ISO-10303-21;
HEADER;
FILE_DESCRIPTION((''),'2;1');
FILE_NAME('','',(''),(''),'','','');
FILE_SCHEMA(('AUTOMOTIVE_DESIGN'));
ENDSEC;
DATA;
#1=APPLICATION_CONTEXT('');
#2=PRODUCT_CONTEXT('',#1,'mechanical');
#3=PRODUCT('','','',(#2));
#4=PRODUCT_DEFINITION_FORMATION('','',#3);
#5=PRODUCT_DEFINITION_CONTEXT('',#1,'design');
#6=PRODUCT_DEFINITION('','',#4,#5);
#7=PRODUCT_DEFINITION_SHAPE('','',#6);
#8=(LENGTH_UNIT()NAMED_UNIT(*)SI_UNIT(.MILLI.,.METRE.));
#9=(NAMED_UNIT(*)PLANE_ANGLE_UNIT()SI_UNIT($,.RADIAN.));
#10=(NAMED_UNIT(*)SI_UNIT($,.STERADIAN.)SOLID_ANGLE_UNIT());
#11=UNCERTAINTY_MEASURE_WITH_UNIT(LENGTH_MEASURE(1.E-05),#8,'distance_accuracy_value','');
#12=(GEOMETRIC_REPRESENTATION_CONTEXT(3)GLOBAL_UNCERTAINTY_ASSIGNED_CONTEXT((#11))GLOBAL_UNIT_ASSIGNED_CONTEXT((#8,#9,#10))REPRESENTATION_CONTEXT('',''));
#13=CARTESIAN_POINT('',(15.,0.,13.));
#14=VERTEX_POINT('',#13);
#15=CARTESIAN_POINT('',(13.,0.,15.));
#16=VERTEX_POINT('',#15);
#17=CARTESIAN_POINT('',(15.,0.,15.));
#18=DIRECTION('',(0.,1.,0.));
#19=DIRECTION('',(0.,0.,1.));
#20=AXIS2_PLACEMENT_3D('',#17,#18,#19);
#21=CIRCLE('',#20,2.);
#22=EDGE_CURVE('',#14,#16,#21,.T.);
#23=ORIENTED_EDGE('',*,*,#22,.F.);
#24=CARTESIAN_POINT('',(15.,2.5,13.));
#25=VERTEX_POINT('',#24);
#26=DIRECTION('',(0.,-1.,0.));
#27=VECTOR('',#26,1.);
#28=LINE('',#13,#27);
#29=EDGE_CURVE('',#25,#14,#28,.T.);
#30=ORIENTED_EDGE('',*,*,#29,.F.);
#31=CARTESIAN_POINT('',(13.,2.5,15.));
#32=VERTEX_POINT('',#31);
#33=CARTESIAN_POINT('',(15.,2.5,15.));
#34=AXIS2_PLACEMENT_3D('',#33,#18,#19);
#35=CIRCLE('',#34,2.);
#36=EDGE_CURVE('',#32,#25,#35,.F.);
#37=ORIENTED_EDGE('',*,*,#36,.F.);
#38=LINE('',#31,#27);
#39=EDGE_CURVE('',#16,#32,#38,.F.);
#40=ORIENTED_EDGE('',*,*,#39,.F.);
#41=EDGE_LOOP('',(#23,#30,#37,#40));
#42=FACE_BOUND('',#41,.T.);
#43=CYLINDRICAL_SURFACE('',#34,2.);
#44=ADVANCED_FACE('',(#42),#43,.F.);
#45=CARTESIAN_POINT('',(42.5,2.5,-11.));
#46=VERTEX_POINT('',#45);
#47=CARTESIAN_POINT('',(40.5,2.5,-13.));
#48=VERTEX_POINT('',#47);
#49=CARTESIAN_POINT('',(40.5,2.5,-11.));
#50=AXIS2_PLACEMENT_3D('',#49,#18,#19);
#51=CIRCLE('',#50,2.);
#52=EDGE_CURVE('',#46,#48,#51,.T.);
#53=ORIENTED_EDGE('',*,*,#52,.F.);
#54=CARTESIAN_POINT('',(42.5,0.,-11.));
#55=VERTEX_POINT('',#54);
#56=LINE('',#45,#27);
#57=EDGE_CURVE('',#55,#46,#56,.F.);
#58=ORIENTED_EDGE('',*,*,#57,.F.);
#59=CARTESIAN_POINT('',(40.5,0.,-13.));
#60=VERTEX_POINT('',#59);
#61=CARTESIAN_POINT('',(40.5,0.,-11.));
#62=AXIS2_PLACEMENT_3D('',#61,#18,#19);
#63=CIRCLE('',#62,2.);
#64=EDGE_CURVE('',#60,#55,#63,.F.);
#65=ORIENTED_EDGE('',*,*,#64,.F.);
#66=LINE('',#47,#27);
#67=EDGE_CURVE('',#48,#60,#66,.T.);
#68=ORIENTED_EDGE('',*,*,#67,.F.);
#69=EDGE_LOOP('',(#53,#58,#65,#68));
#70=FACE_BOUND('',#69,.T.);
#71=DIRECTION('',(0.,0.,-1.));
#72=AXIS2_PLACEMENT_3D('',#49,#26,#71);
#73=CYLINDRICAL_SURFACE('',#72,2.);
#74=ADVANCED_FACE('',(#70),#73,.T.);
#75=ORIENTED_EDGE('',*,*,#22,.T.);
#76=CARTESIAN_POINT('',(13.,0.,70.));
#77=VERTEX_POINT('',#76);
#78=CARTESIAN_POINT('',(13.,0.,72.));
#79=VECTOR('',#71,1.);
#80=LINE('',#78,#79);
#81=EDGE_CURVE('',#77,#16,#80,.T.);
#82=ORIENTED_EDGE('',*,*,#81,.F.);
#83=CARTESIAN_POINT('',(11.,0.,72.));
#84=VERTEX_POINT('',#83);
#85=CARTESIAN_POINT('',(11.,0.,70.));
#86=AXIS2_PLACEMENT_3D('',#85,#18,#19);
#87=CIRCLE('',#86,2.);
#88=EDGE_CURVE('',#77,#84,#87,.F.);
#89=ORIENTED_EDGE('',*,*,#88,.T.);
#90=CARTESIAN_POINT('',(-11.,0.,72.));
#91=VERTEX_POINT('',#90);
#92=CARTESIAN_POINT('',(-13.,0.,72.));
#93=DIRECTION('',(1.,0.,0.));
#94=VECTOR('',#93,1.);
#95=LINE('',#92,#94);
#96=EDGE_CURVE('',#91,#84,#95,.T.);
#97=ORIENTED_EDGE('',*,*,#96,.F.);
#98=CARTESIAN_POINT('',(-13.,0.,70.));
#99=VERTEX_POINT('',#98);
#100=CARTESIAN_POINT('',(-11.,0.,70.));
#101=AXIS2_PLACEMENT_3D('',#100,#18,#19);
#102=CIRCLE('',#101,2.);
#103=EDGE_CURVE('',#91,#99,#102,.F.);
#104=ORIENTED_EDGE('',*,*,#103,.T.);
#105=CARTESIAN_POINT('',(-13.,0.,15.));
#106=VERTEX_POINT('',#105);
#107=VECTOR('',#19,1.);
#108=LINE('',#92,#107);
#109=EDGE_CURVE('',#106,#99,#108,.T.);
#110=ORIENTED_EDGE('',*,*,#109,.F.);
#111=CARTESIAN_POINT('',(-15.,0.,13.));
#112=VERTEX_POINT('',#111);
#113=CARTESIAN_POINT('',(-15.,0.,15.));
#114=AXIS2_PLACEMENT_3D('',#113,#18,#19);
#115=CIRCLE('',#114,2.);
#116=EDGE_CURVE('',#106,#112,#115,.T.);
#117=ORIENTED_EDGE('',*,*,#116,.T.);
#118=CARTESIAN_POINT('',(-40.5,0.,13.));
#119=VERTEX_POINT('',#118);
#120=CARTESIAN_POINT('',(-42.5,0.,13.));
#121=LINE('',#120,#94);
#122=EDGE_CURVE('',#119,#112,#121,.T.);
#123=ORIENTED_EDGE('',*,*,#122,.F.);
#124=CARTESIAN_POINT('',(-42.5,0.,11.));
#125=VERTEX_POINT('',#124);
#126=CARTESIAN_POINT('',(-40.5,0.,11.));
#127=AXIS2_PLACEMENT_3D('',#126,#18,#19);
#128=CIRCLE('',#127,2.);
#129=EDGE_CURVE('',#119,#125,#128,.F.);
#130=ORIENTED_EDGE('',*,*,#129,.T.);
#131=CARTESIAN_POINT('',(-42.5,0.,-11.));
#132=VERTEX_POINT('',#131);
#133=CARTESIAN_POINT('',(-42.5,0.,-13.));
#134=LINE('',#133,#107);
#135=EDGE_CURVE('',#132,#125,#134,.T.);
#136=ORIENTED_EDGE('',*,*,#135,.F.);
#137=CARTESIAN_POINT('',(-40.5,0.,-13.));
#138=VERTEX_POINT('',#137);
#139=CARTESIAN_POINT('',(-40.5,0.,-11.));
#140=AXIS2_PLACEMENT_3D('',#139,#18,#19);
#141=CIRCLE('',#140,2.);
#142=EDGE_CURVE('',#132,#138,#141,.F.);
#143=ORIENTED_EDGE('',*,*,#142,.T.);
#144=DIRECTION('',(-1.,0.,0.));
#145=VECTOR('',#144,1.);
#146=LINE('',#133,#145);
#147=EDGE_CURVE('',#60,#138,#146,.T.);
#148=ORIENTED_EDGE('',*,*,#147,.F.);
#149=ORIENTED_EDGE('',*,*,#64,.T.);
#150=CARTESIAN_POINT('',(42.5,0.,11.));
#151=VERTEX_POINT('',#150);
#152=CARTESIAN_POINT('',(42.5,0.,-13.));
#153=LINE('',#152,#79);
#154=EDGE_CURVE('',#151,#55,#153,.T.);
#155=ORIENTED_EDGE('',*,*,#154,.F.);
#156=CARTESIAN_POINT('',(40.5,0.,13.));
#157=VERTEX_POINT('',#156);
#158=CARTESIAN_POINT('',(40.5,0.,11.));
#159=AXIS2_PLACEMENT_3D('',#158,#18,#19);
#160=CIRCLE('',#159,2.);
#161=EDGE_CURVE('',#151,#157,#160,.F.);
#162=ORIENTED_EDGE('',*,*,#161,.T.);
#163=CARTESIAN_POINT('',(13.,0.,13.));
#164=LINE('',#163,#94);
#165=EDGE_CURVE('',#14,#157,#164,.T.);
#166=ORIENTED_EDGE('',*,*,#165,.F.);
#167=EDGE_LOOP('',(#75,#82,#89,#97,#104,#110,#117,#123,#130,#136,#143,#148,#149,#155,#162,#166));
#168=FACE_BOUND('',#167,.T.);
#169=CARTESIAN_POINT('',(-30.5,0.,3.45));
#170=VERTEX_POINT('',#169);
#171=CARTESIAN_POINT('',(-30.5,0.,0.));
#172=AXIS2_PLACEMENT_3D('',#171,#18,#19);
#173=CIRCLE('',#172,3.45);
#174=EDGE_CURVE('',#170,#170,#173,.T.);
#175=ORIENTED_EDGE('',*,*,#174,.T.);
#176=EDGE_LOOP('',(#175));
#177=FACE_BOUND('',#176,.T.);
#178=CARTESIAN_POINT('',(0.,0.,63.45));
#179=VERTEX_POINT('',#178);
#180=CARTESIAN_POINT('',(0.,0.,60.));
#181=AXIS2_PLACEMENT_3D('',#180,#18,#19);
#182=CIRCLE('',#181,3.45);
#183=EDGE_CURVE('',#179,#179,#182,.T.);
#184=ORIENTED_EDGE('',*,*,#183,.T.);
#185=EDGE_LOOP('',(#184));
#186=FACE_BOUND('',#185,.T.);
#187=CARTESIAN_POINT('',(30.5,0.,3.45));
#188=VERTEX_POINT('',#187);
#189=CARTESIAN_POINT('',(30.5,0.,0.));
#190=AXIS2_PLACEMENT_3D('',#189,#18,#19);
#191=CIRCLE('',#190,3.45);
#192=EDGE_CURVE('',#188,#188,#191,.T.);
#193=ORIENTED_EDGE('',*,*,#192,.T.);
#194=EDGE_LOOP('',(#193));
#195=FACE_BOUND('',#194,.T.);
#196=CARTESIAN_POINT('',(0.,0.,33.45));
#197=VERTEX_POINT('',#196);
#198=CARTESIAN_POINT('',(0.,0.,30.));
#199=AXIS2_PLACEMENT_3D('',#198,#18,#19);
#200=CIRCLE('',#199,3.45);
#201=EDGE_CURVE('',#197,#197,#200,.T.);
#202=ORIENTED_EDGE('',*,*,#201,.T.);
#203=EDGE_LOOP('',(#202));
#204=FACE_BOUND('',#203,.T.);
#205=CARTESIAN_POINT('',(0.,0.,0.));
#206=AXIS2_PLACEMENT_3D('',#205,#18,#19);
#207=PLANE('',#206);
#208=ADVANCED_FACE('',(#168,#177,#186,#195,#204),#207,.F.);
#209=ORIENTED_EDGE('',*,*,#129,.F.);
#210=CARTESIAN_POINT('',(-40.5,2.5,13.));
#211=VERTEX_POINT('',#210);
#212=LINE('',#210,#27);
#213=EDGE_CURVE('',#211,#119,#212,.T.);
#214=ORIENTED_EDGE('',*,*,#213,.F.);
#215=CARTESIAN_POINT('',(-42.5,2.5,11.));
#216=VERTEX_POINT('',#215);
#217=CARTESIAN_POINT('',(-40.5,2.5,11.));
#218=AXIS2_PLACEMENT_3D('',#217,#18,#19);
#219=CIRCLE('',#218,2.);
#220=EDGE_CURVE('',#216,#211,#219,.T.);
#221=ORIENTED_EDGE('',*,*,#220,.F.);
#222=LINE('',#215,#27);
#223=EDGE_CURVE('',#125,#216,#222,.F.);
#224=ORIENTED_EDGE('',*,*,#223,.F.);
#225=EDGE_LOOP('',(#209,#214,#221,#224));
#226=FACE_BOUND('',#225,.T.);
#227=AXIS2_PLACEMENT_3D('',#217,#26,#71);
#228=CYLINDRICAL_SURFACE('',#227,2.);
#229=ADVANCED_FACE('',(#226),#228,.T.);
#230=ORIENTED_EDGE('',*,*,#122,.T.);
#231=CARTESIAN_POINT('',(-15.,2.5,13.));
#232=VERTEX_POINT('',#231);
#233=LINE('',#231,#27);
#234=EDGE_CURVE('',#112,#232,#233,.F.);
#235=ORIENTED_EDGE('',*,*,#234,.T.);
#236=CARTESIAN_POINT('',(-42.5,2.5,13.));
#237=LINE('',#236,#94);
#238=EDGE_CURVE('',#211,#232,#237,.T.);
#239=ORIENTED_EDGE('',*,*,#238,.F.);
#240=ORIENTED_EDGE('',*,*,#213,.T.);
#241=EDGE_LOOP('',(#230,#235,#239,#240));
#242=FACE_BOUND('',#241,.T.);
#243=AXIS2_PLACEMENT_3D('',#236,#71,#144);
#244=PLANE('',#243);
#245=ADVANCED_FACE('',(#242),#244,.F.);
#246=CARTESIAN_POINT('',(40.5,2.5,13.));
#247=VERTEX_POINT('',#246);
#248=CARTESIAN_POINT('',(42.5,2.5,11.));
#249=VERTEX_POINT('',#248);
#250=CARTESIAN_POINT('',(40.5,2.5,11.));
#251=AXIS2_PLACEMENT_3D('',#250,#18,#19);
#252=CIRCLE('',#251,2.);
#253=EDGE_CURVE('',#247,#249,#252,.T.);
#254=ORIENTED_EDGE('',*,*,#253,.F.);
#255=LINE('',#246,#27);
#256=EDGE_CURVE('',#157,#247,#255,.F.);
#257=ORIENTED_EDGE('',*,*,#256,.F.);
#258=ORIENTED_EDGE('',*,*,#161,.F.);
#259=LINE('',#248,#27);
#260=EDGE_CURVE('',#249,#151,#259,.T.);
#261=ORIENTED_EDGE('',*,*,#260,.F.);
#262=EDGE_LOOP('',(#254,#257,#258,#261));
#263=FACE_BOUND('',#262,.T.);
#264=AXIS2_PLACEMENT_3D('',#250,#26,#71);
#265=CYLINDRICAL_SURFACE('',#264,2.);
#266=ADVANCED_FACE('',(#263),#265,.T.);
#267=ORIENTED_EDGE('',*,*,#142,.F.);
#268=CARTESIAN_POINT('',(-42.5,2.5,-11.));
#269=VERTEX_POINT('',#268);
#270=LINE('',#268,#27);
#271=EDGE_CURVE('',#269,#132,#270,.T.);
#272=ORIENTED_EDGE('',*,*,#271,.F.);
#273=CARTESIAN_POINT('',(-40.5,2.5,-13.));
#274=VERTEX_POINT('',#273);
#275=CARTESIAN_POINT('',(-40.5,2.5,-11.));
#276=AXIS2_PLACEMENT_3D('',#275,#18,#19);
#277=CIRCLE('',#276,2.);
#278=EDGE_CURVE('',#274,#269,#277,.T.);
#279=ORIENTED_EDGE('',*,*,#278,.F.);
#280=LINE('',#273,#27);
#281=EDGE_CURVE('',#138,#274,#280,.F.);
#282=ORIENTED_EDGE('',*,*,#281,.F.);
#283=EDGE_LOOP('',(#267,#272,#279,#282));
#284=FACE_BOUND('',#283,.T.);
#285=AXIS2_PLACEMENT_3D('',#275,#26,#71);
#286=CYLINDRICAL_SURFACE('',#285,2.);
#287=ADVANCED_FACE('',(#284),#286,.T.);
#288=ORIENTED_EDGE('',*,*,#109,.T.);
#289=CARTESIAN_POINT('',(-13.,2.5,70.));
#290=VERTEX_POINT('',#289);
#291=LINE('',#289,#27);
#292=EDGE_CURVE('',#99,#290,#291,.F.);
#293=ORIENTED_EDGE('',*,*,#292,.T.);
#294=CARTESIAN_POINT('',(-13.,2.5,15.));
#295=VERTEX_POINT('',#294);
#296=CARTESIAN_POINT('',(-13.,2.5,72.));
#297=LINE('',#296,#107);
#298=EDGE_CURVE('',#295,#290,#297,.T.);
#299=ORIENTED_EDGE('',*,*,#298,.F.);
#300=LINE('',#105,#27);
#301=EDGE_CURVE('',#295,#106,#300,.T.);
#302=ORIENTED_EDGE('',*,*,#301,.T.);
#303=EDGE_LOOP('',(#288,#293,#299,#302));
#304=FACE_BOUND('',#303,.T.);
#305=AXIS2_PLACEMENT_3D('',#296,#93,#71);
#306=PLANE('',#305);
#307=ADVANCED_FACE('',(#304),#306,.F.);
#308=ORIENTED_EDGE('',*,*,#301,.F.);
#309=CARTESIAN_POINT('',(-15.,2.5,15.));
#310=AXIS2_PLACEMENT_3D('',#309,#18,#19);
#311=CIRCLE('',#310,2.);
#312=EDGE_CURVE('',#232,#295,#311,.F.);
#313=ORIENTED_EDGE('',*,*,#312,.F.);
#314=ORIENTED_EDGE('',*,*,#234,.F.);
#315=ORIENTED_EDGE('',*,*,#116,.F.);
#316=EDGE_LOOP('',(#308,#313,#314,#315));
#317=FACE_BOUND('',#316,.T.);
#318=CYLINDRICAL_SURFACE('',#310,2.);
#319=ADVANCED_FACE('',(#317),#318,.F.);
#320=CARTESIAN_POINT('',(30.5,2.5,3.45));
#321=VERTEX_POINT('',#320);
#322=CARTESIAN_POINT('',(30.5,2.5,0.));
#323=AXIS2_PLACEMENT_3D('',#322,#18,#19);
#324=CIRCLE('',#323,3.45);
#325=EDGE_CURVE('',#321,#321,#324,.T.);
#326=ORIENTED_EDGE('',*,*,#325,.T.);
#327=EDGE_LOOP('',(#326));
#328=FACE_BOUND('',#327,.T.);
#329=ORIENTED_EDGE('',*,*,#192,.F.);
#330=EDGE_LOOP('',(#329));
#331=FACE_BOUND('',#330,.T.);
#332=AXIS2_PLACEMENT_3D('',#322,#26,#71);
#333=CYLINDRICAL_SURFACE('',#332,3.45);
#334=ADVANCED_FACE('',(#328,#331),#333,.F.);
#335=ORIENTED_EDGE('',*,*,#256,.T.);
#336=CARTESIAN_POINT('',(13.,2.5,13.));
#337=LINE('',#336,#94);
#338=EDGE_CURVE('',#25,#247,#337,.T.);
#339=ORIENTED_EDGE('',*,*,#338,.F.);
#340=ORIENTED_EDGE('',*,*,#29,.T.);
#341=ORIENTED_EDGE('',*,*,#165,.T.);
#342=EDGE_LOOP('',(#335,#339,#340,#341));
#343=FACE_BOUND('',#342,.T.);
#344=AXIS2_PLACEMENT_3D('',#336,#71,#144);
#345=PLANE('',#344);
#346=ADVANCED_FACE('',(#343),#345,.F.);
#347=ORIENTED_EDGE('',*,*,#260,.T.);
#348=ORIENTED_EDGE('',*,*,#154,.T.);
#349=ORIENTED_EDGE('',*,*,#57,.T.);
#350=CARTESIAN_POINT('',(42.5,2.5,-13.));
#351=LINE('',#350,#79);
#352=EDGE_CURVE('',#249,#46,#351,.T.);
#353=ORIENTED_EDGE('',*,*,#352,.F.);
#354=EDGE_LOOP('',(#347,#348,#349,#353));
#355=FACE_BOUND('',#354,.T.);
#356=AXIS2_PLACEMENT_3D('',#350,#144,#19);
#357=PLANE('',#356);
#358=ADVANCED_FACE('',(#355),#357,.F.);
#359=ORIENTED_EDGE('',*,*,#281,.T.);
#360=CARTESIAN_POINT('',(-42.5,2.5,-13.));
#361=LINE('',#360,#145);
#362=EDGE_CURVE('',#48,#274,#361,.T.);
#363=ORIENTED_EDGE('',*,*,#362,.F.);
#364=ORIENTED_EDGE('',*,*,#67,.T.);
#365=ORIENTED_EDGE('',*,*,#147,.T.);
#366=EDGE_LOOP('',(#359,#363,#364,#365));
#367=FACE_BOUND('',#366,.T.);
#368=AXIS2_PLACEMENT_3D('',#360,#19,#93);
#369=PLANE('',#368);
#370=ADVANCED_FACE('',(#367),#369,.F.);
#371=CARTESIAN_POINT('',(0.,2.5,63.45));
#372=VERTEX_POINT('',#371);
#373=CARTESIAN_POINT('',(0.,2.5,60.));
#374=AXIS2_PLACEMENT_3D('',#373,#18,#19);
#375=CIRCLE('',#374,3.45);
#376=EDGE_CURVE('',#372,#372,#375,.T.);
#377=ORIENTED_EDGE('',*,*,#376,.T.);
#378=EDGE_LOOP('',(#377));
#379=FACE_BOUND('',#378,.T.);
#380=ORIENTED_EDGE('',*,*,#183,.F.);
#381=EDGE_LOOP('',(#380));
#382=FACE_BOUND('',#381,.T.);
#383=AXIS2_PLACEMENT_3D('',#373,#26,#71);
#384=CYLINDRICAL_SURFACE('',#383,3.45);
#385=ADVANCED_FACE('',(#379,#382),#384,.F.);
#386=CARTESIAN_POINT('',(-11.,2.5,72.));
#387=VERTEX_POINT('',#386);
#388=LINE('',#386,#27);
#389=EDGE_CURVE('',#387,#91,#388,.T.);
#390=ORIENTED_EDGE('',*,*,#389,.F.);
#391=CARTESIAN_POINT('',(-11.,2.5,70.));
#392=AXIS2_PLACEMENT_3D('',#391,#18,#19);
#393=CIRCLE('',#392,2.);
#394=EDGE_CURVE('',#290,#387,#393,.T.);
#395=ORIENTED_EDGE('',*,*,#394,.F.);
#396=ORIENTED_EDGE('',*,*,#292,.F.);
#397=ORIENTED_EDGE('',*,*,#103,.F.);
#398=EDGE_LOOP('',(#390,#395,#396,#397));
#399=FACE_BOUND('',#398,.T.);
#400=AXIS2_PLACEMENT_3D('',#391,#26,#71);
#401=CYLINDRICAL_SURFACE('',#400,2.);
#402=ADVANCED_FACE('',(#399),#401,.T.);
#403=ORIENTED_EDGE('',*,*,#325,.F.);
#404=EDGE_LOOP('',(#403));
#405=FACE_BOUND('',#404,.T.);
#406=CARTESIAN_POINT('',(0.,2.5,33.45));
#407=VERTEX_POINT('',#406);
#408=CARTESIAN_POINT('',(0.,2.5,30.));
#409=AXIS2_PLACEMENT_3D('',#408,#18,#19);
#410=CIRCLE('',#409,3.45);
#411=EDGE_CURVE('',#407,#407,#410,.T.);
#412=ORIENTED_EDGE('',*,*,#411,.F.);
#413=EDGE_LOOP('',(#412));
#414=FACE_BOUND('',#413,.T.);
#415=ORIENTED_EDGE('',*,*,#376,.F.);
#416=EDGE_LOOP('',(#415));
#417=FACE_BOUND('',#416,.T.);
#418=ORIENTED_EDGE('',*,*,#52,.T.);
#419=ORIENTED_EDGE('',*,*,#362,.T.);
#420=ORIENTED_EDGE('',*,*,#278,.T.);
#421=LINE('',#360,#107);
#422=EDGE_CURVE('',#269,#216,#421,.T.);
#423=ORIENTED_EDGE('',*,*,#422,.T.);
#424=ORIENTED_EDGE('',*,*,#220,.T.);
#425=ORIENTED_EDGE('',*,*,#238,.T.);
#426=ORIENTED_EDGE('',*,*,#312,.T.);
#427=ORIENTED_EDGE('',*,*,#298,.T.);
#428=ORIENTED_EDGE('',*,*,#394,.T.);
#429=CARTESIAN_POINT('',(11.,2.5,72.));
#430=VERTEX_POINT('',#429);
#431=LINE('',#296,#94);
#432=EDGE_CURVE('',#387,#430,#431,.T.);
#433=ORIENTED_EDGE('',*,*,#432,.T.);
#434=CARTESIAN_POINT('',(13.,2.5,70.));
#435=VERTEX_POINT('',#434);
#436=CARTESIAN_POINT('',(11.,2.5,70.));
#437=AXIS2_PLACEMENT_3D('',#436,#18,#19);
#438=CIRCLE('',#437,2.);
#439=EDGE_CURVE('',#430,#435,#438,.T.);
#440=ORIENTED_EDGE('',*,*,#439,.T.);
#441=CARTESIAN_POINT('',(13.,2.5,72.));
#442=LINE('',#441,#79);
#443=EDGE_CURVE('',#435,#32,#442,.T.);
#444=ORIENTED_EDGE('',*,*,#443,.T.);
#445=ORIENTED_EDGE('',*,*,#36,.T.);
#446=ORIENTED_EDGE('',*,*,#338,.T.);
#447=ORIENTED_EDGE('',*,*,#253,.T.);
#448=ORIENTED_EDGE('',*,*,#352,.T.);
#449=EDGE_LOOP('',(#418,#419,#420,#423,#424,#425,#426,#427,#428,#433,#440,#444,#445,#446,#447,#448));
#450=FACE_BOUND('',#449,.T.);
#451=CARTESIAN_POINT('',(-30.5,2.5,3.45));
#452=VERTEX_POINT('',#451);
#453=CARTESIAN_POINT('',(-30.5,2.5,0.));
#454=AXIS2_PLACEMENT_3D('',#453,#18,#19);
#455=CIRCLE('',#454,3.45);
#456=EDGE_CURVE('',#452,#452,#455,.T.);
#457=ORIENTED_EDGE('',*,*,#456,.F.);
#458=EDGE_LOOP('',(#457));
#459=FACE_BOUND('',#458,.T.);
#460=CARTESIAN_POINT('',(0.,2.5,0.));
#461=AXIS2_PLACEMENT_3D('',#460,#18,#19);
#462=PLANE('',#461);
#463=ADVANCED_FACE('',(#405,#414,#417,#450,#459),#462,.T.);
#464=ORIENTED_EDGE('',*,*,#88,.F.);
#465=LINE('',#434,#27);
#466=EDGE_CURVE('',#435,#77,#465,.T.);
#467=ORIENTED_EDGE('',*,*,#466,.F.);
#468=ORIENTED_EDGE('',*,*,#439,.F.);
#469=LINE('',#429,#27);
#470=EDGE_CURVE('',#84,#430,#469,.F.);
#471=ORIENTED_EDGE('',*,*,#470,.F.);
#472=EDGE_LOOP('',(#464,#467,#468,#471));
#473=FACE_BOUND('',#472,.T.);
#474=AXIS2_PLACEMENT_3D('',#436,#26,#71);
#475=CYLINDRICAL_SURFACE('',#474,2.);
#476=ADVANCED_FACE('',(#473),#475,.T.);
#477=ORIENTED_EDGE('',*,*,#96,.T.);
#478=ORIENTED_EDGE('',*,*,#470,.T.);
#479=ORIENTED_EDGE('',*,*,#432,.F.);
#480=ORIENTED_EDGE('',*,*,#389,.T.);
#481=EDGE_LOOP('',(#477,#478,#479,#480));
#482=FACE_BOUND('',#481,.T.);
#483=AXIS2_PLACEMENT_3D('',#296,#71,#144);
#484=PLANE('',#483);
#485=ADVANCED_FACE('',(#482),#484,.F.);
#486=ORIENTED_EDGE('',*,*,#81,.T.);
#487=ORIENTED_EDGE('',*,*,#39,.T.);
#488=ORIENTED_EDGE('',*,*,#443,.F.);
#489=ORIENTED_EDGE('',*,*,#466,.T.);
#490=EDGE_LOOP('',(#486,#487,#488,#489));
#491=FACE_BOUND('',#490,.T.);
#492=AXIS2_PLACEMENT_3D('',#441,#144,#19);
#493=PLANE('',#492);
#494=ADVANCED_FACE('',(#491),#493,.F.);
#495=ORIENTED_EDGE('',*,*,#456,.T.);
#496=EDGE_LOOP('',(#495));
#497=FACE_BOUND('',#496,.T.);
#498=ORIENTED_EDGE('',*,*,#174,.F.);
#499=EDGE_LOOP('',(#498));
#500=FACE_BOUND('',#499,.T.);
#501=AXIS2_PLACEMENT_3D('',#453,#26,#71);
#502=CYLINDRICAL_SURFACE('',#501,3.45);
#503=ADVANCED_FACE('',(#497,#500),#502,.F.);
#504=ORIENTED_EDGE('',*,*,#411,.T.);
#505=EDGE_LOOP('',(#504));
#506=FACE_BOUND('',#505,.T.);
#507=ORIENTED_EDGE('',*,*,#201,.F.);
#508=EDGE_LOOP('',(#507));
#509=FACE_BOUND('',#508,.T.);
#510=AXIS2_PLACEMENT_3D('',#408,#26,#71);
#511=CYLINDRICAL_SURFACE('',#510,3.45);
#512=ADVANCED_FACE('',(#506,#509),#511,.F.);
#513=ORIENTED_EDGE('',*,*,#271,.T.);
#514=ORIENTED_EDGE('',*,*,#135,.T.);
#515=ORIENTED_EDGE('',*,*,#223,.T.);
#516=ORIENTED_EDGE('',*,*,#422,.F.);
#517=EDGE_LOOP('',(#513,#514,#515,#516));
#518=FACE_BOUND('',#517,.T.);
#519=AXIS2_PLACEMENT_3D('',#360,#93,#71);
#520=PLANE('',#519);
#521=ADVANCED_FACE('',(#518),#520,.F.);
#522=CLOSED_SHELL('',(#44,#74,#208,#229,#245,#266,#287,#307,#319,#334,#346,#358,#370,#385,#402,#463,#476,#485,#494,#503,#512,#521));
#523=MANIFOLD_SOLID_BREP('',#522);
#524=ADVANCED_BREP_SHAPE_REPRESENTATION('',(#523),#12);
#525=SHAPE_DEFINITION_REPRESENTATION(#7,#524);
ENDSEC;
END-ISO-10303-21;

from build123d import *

# Parameters (mm, degrees)
SKETCH_1_R      = 3.45
EXTRUDE_1_DEPTH = 2.5
FILLET_1_R      = 2


with BuildPart() as part:
    # 草图1 → 凸台-拉伸1 (new body)
    with BuildSketch(Plane(origin=(0, 0, 0), x_dir=(1, 0, 0), z_dir=(0, 1, 0))):
        Polygon((13, -13), (42.5, -13), (42.5, 13), (-42.5, 13), (-42.5, -13), (-13, -13), (-13, -72), (13, -72), align=None)
        with Locations((0, -60)):
            Circle(SKETCH_1_R, mode=Mode.SUBTRACT)
        with Locations((0, -30)):
            Circle(SKETCH_1_R, mode=Mode.SUBTRACT)
        with Locations((-30.5, 0)):
            Circle(SKETCH_1_R, mode=Mode.SUBTRACT)
        with Locations((30.5, 0)):
            Circle(SKETCH_1_R, mode=Mode.SUBTRACT)
    extrude(amount=EXTRUDE_1_DEPTH)

    # 圆角1
    fillet_1_edges = [part.edges().sort_by_distance(p)[0] for p in [
        (42.5, 1.25, 13),
        (13, 1.25, 13),
        (13, 1.25, 72),
        (-13, 1.25, 72),
        (-13, 1.25, 13),
        (-42.5, 1.25, 13),
        (-42.5, 1.25, -13),
        (42.5, 1.25, -13),
    ]]
    fillet(fillet_1_edges, radius=FILLET_1_R)


solid = part.part
